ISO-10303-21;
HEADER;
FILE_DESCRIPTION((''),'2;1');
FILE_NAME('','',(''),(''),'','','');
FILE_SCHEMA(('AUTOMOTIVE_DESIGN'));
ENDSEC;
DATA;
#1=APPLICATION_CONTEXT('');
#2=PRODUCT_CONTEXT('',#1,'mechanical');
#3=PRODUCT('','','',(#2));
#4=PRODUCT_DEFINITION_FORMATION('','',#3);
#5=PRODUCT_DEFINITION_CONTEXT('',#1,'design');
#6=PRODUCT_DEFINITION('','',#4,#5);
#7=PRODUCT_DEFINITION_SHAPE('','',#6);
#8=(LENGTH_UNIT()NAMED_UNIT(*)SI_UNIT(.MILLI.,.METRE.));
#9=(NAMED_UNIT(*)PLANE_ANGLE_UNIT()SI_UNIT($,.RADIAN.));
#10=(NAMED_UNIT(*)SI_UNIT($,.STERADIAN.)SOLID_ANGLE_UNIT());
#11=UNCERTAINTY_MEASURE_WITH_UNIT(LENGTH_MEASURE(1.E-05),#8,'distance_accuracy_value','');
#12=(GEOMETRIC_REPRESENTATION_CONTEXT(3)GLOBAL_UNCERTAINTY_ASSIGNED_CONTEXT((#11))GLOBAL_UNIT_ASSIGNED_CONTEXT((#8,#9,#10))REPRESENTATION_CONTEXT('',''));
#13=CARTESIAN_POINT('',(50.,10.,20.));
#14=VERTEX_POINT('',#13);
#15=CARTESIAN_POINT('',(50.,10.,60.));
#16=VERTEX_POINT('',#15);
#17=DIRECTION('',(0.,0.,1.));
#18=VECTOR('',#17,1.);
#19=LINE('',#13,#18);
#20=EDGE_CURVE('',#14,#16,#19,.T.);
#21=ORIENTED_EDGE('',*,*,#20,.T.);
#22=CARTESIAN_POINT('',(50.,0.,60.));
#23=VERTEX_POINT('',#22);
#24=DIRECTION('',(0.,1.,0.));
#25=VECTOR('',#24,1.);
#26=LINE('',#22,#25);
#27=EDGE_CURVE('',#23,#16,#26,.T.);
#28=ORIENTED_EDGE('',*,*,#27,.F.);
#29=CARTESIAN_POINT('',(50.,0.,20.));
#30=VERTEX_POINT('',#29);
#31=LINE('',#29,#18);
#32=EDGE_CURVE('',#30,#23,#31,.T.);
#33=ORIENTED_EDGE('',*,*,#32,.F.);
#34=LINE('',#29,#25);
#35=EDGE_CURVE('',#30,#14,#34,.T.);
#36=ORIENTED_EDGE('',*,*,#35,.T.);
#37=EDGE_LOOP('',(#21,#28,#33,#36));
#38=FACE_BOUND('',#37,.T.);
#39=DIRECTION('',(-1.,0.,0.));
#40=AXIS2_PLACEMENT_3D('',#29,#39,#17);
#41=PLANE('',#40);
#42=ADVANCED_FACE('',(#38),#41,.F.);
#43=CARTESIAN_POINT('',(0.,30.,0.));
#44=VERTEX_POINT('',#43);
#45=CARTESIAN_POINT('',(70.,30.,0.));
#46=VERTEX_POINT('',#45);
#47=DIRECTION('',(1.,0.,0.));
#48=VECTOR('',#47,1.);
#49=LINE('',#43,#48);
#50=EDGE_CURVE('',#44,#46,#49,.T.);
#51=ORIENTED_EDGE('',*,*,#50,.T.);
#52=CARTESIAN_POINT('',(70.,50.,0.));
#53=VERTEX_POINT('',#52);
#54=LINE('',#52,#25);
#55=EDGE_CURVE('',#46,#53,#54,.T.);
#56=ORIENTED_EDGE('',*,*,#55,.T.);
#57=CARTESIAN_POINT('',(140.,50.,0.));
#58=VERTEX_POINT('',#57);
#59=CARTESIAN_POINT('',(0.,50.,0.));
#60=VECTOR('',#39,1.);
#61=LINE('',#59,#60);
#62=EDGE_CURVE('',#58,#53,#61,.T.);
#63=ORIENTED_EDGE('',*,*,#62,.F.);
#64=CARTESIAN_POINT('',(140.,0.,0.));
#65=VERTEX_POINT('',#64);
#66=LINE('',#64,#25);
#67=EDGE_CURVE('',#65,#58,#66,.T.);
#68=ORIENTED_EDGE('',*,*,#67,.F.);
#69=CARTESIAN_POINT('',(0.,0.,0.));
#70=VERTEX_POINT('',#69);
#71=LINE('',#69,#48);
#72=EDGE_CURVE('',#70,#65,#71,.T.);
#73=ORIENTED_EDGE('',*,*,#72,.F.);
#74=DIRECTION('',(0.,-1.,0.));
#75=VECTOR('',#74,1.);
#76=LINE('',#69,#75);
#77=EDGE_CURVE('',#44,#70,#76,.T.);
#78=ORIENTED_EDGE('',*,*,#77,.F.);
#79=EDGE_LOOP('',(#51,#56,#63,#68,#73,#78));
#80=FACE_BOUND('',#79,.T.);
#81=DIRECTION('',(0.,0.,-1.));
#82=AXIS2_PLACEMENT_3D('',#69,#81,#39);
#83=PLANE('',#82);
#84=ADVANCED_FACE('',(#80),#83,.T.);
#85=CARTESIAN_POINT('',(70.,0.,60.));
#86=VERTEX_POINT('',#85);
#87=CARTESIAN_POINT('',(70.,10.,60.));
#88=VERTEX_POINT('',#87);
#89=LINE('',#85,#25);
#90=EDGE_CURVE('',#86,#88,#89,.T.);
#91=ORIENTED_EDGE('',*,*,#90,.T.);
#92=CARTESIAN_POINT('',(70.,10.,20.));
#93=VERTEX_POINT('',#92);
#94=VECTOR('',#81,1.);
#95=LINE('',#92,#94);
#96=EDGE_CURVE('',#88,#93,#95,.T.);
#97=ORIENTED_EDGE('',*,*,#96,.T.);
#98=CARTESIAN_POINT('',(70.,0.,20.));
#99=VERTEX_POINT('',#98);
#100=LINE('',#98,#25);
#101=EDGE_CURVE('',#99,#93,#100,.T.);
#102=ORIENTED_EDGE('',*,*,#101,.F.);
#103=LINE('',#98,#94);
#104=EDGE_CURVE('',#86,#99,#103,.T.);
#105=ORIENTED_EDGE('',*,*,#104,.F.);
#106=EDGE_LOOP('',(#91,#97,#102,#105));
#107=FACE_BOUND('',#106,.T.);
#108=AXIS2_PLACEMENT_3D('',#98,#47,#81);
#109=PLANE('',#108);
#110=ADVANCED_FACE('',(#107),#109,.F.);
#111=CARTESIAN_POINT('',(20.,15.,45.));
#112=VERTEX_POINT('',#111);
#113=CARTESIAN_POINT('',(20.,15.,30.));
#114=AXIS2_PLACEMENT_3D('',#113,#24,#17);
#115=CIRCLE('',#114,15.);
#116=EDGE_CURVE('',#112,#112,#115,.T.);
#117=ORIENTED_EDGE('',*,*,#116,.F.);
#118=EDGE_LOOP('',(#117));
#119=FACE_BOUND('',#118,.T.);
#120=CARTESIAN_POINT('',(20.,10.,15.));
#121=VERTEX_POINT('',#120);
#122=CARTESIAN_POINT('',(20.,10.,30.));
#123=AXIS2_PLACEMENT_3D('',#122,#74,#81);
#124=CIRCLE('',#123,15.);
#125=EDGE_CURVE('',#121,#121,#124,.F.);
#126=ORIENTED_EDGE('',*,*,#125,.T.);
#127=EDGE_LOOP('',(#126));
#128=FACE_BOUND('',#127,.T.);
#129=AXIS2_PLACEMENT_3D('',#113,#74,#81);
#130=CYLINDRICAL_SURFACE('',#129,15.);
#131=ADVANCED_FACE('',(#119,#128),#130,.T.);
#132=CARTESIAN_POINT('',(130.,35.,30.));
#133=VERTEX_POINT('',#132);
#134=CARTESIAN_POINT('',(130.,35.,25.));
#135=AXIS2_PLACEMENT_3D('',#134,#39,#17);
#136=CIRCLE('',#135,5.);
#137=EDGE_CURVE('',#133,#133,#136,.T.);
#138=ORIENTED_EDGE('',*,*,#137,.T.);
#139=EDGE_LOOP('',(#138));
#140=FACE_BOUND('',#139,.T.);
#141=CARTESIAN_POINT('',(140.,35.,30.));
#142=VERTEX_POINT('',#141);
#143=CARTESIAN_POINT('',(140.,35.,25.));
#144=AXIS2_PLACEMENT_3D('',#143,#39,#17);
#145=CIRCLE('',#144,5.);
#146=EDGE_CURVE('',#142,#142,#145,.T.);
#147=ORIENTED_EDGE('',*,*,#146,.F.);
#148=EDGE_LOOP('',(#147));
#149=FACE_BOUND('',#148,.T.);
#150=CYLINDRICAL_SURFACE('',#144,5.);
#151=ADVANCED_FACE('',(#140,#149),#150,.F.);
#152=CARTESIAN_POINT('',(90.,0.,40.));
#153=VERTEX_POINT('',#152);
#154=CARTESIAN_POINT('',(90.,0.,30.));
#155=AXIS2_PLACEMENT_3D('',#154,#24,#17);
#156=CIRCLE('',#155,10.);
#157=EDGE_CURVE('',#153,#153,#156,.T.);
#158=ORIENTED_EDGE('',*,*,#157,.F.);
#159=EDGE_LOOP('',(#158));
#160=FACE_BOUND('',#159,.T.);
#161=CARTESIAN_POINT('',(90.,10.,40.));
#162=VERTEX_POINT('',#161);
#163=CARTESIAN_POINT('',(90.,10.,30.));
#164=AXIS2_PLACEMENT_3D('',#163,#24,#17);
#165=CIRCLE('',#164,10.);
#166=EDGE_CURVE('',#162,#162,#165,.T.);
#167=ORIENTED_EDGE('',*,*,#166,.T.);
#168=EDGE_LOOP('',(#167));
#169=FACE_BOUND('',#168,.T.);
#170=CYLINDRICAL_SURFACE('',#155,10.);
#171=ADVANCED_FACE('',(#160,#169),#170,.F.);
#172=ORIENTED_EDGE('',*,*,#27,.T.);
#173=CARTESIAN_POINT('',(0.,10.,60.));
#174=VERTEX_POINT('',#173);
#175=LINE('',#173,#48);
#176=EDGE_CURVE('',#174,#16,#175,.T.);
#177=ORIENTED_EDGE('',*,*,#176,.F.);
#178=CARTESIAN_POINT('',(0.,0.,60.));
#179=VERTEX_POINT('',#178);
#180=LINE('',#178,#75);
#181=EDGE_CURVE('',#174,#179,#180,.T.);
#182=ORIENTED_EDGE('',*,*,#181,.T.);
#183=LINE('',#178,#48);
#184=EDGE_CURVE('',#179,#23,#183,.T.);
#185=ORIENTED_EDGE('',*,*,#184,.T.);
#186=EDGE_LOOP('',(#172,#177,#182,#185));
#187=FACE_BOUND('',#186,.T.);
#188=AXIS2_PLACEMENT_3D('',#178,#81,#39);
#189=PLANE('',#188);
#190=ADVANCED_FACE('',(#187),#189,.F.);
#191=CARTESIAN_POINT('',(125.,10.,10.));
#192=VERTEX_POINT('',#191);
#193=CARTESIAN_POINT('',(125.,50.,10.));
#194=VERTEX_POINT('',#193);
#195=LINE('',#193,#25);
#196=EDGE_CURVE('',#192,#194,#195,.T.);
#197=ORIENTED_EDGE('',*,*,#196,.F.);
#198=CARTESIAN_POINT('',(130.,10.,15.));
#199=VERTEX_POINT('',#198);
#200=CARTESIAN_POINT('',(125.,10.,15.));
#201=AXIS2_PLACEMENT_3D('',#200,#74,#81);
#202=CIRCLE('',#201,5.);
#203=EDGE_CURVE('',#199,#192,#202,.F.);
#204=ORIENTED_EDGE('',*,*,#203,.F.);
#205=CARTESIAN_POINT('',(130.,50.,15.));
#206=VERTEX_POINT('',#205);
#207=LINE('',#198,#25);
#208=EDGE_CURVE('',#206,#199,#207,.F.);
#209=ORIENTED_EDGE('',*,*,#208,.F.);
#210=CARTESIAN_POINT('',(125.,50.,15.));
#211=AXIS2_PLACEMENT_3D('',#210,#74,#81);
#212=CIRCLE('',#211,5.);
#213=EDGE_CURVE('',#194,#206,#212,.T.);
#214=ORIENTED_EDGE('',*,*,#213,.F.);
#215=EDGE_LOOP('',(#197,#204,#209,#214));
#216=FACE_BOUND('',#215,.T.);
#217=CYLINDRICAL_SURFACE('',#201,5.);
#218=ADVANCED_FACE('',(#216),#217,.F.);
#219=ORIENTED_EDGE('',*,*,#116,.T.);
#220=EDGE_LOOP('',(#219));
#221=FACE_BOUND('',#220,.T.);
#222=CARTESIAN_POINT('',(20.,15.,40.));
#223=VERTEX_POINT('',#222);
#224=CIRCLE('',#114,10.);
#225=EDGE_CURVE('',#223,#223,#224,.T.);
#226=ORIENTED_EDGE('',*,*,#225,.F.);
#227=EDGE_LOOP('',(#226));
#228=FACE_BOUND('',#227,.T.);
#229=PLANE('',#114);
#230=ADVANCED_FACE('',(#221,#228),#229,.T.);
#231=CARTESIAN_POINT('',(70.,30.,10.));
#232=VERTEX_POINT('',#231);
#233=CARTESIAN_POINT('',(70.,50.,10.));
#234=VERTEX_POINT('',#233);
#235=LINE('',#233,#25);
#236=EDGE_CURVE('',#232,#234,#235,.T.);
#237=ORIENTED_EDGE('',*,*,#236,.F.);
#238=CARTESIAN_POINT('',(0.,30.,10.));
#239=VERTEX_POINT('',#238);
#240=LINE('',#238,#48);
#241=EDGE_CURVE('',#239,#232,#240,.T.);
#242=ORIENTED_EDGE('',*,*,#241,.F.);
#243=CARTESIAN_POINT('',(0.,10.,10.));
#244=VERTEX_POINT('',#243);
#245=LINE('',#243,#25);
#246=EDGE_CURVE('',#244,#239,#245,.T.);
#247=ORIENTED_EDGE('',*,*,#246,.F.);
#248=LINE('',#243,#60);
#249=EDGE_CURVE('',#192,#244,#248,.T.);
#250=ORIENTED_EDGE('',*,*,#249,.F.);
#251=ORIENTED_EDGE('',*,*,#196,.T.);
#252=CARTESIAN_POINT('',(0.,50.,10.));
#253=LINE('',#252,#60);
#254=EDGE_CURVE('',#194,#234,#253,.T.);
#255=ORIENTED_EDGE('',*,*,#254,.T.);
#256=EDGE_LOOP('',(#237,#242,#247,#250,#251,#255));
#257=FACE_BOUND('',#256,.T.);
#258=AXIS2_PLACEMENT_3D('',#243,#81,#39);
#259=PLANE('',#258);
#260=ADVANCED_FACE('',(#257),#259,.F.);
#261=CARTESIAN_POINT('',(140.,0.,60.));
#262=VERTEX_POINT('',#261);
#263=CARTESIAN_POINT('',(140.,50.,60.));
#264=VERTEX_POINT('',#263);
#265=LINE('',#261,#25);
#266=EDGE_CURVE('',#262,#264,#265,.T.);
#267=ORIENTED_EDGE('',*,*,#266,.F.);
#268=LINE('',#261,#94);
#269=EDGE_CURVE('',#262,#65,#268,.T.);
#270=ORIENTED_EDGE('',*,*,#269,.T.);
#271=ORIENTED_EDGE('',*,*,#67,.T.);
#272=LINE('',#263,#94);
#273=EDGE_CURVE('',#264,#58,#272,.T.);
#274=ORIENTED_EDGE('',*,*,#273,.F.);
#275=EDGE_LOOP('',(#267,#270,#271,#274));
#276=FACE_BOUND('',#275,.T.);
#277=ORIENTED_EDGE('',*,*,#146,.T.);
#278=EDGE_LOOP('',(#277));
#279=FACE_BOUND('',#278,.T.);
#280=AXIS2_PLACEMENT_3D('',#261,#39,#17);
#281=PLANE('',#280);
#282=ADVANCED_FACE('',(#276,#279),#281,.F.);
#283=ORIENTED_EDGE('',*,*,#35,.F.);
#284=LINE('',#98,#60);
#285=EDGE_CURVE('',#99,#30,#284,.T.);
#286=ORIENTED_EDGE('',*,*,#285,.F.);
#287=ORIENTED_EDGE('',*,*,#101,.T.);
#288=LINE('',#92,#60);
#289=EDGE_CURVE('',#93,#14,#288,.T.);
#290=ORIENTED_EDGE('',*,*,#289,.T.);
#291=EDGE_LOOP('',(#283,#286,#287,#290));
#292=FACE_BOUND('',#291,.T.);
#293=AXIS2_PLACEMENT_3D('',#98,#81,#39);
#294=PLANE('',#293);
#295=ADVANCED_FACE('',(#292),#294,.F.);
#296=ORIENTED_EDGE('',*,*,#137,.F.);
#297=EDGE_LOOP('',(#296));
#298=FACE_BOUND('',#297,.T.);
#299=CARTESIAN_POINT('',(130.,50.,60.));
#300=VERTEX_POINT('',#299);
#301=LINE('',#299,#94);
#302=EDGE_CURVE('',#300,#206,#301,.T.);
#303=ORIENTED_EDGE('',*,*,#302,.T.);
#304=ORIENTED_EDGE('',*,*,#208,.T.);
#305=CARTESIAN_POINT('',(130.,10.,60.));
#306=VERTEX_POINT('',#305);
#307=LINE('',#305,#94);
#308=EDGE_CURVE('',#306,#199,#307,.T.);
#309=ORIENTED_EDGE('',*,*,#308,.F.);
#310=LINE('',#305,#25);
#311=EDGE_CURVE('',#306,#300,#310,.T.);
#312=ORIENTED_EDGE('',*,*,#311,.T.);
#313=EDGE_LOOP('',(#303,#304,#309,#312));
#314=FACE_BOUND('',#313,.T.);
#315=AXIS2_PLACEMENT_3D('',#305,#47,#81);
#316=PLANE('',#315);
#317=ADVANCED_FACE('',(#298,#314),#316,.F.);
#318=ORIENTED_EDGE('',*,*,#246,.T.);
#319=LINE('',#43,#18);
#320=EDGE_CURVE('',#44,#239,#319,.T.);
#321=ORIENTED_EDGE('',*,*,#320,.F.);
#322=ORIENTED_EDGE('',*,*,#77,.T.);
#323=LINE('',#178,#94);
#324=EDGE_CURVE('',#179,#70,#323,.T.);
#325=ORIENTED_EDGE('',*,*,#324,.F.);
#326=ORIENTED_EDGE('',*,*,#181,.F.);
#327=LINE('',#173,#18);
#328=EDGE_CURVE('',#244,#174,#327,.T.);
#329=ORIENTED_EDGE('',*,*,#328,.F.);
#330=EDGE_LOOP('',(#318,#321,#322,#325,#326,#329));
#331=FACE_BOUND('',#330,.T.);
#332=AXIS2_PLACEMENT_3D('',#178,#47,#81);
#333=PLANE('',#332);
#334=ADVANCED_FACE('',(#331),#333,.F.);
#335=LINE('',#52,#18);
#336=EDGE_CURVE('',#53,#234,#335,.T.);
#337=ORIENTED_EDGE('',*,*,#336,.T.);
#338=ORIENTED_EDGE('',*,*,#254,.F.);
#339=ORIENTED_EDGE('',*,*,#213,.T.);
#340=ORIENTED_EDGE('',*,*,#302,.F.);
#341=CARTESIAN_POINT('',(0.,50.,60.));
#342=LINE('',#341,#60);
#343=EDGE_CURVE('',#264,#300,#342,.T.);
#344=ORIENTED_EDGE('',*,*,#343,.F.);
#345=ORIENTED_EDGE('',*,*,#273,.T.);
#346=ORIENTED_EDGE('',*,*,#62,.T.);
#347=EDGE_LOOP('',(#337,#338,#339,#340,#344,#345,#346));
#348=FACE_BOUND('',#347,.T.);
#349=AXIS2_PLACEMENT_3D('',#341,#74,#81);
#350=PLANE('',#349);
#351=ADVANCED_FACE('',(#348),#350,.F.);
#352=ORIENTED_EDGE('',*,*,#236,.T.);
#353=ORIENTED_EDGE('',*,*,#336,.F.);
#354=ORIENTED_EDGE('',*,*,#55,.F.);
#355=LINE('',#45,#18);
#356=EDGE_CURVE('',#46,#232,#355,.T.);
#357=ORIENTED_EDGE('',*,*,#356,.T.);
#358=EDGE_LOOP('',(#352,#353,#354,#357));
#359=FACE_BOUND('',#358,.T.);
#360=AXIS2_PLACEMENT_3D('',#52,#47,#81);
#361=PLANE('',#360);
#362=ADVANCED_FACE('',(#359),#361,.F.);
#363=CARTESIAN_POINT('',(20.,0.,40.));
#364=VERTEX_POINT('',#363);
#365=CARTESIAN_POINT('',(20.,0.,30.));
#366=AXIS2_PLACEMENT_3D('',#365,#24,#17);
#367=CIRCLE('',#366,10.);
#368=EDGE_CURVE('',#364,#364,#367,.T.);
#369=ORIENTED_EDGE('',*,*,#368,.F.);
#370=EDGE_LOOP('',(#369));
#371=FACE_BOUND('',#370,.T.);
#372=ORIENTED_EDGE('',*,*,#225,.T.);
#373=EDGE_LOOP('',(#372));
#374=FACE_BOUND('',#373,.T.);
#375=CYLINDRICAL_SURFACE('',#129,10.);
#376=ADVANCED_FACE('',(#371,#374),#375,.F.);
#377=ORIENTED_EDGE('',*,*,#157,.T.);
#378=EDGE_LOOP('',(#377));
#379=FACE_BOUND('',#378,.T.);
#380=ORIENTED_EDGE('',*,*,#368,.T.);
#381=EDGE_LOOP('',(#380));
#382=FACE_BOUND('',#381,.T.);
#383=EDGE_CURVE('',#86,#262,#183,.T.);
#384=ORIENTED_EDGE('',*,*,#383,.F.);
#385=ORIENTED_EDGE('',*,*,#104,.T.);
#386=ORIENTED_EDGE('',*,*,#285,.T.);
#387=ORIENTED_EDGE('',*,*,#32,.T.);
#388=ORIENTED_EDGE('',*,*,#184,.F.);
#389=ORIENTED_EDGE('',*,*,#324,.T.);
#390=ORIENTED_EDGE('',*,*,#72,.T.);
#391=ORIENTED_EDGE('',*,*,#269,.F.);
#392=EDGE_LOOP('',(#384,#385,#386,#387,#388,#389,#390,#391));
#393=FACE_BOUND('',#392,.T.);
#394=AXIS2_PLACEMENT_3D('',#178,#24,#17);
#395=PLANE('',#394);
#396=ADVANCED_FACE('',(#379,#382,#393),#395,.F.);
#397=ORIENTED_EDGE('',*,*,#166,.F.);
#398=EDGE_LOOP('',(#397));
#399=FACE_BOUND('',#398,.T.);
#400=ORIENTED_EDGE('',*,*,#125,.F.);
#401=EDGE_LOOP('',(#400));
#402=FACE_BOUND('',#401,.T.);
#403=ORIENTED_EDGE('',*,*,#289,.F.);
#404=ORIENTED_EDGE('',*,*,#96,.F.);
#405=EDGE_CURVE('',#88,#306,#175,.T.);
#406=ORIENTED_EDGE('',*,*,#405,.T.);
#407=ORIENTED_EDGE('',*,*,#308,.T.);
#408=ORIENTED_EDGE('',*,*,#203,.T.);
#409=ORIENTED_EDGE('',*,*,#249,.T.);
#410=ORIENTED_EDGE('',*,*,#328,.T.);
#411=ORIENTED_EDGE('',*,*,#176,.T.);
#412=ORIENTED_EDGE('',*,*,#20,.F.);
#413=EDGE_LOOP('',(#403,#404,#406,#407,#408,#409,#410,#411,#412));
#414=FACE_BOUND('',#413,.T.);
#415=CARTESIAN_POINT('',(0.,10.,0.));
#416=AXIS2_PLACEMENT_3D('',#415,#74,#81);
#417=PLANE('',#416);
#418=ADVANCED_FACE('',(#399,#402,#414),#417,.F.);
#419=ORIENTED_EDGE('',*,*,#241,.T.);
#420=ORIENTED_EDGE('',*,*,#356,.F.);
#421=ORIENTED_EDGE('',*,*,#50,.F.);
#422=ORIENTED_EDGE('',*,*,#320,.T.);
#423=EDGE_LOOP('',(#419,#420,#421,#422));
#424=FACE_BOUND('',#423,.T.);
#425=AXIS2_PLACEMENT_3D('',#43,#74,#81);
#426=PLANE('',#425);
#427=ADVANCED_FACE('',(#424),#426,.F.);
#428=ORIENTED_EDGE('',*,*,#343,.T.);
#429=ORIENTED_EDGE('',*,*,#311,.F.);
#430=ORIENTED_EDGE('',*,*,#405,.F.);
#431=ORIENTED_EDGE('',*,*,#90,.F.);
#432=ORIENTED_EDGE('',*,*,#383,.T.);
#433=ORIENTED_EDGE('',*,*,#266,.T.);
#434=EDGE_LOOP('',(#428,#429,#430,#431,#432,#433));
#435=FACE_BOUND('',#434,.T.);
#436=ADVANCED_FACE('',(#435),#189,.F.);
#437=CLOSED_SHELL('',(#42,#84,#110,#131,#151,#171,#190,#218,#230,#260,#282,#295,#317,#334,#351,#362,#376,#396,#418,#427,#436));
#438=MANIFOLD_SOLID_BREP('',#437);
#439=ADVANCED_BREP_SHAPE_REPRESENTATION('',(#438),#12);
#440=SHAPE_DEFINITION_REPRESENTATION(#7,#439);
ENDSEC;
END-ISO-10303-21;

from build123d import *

# Parameters (mm, degrees)
IZIM1_W                     = 140
IZIM1_H                     = 50
Y_KSEKLIK_EKSTR_ZYON1_DEPTH = 60
IZIM2_W                     = 130
IZIM2_H                     = 50
KES_EKSTR_ZYON1_DEPTH       = 40
RADYUS1_R                   = 5
IZIM3_R                     = 15
IZIM3_R_2                   = 10
Y_KSEKLIK_EKSTR_ZYON2_DEPTH = 5
IZIM3_2_R                   = 10
KES_EKSTR_ZYON2_DEPTH       = 11
IZIM5_W                     = 70
IZIM5_H                     = 20
KES_EKSTR_ZYON3_DEPTH       = 11
IZIM6_W                     = 20
IZIM6_H                     = 40
KES_EKSTR_ZYON5_DEPTH       = 11
IZIM7_R                     = 10
KES_EKSTR_ZYON6_DEPTH       = 11
IZIM8_R                     = 5
KES_EKSTR_ZYON7_DEPTH       = 11


with BuildPart() as part:
    # Çizim1 → Yükseklik-Ekstrüzyon1 (new body)
    with BuildSketch(Plane.XY):
        with Locations((70, 25)):
            Rectangle(IZIM1_W, IZIM1_H)
    extrude(amount=Y_KSEKLIK_EKSTR_ZYON1_DEPTH)

    # Çizim2 → Kes-Ekstrüzyon1 (cut)
    with BuildSketch(Plane(origin=(0, 50, 0), x_dir=(1, 0, 0), z_dir=(0, 1, 0))):
        with Locations((65, -35)):
            Rectangle(IZIM2_W, IZIM2_H)
    extrude(amount=-KES_EKSTR_ZYON1_DEPTH, mode=Mode.SUBTRACT)

    # Radyus1
    radyus1_edges = [part.edges().sort_by_distance(p)[0] for p in [
        (130, 30, 10),
    ]]
    fillet(radyus1_edges, radius=RADYUS1_R)

    # Çizim3 → Yükseklik-Ekstrüzyon2 (add)
    with BuildSketch(Plane(origin=(0, 10, 0), x_dir=(1, 0, 0), z_dir=(0, 1, 0))):
        with Locations((20, -30)):
            Circle(IZIM3_R)
        with Locations((20, -30)):
            Circle(IZIM3_R_2, mode=Mode.SUBTRACT)
    extrude(amount=Y_KSEKLIK_EKSTR_ZYON2_DEPTH)

    # Çizim3<2> → Kes-Ekstrüzyon2 (cut, through all)
    with BuildSketch(Plane(origin=(0, 10, 0), x_dir=(1, 0, 0), z_dir=(0, 1, 0))):
        with Locations((20, -30)):
            Circle(IZIM3_2_R)
    extrude(amount=-KES_EKSTR_ZYON2_DEPTH, mode=Mode.SUBTRACT)

    # Çizim5 → Kes-Ekstrüzyon3 (cut, through all)
    with BuildSketch(Plane.XY.offset(10)):
        with Locations((35, 40)):
            Rectangle(IZIM5_W, IZIM5_H)
    extrude(amount=-KES_EKSTR_ZYON3_DEPTH, mode=Mode.SUBTRACT)

    # Çizim6 → Kes-Ekstrüzyon5 (cut, through all)
    with BuildSketch(Plane(origin=(0, 10, 0), x_dir=(1, 0, 0), z_dir=(0, 1, 0))):
        with Locations((60, -40)):
            Rectangle(IZIM6_W, IZIM6_H)
    extrude(amount=-KES_EKSTR_ZYON5_DEPTH, mode=Mode.SUBTRACT)

    # Çizim7 → Kes-Ekstrüzyon6 (cut, through all)
    with BuildSketch(Plane(origin=(0, 10, 0), x_dir=(1, 0, 0), z_dir=(0, 1, 0))):
        with Locations((90, -30)):
            Circle(IZIM7_R)
    extrude(amount=-KES_EKSTR_ZYON6_DEPTH, mode=Mode.SUBTRACT)

    # Çizim8 → Kes-Ekstrüzyon7 (cut, through all)
    with BuildSketch(Plane.ZY.offset(-130)):
        with Locations((25, 35)):
            Circle(IZIM8_R)
    extrude(amount=-KES_EKSTR_ZYON7_DEPTH, mode=Mode.SUBTRACT)


solid = part.part
